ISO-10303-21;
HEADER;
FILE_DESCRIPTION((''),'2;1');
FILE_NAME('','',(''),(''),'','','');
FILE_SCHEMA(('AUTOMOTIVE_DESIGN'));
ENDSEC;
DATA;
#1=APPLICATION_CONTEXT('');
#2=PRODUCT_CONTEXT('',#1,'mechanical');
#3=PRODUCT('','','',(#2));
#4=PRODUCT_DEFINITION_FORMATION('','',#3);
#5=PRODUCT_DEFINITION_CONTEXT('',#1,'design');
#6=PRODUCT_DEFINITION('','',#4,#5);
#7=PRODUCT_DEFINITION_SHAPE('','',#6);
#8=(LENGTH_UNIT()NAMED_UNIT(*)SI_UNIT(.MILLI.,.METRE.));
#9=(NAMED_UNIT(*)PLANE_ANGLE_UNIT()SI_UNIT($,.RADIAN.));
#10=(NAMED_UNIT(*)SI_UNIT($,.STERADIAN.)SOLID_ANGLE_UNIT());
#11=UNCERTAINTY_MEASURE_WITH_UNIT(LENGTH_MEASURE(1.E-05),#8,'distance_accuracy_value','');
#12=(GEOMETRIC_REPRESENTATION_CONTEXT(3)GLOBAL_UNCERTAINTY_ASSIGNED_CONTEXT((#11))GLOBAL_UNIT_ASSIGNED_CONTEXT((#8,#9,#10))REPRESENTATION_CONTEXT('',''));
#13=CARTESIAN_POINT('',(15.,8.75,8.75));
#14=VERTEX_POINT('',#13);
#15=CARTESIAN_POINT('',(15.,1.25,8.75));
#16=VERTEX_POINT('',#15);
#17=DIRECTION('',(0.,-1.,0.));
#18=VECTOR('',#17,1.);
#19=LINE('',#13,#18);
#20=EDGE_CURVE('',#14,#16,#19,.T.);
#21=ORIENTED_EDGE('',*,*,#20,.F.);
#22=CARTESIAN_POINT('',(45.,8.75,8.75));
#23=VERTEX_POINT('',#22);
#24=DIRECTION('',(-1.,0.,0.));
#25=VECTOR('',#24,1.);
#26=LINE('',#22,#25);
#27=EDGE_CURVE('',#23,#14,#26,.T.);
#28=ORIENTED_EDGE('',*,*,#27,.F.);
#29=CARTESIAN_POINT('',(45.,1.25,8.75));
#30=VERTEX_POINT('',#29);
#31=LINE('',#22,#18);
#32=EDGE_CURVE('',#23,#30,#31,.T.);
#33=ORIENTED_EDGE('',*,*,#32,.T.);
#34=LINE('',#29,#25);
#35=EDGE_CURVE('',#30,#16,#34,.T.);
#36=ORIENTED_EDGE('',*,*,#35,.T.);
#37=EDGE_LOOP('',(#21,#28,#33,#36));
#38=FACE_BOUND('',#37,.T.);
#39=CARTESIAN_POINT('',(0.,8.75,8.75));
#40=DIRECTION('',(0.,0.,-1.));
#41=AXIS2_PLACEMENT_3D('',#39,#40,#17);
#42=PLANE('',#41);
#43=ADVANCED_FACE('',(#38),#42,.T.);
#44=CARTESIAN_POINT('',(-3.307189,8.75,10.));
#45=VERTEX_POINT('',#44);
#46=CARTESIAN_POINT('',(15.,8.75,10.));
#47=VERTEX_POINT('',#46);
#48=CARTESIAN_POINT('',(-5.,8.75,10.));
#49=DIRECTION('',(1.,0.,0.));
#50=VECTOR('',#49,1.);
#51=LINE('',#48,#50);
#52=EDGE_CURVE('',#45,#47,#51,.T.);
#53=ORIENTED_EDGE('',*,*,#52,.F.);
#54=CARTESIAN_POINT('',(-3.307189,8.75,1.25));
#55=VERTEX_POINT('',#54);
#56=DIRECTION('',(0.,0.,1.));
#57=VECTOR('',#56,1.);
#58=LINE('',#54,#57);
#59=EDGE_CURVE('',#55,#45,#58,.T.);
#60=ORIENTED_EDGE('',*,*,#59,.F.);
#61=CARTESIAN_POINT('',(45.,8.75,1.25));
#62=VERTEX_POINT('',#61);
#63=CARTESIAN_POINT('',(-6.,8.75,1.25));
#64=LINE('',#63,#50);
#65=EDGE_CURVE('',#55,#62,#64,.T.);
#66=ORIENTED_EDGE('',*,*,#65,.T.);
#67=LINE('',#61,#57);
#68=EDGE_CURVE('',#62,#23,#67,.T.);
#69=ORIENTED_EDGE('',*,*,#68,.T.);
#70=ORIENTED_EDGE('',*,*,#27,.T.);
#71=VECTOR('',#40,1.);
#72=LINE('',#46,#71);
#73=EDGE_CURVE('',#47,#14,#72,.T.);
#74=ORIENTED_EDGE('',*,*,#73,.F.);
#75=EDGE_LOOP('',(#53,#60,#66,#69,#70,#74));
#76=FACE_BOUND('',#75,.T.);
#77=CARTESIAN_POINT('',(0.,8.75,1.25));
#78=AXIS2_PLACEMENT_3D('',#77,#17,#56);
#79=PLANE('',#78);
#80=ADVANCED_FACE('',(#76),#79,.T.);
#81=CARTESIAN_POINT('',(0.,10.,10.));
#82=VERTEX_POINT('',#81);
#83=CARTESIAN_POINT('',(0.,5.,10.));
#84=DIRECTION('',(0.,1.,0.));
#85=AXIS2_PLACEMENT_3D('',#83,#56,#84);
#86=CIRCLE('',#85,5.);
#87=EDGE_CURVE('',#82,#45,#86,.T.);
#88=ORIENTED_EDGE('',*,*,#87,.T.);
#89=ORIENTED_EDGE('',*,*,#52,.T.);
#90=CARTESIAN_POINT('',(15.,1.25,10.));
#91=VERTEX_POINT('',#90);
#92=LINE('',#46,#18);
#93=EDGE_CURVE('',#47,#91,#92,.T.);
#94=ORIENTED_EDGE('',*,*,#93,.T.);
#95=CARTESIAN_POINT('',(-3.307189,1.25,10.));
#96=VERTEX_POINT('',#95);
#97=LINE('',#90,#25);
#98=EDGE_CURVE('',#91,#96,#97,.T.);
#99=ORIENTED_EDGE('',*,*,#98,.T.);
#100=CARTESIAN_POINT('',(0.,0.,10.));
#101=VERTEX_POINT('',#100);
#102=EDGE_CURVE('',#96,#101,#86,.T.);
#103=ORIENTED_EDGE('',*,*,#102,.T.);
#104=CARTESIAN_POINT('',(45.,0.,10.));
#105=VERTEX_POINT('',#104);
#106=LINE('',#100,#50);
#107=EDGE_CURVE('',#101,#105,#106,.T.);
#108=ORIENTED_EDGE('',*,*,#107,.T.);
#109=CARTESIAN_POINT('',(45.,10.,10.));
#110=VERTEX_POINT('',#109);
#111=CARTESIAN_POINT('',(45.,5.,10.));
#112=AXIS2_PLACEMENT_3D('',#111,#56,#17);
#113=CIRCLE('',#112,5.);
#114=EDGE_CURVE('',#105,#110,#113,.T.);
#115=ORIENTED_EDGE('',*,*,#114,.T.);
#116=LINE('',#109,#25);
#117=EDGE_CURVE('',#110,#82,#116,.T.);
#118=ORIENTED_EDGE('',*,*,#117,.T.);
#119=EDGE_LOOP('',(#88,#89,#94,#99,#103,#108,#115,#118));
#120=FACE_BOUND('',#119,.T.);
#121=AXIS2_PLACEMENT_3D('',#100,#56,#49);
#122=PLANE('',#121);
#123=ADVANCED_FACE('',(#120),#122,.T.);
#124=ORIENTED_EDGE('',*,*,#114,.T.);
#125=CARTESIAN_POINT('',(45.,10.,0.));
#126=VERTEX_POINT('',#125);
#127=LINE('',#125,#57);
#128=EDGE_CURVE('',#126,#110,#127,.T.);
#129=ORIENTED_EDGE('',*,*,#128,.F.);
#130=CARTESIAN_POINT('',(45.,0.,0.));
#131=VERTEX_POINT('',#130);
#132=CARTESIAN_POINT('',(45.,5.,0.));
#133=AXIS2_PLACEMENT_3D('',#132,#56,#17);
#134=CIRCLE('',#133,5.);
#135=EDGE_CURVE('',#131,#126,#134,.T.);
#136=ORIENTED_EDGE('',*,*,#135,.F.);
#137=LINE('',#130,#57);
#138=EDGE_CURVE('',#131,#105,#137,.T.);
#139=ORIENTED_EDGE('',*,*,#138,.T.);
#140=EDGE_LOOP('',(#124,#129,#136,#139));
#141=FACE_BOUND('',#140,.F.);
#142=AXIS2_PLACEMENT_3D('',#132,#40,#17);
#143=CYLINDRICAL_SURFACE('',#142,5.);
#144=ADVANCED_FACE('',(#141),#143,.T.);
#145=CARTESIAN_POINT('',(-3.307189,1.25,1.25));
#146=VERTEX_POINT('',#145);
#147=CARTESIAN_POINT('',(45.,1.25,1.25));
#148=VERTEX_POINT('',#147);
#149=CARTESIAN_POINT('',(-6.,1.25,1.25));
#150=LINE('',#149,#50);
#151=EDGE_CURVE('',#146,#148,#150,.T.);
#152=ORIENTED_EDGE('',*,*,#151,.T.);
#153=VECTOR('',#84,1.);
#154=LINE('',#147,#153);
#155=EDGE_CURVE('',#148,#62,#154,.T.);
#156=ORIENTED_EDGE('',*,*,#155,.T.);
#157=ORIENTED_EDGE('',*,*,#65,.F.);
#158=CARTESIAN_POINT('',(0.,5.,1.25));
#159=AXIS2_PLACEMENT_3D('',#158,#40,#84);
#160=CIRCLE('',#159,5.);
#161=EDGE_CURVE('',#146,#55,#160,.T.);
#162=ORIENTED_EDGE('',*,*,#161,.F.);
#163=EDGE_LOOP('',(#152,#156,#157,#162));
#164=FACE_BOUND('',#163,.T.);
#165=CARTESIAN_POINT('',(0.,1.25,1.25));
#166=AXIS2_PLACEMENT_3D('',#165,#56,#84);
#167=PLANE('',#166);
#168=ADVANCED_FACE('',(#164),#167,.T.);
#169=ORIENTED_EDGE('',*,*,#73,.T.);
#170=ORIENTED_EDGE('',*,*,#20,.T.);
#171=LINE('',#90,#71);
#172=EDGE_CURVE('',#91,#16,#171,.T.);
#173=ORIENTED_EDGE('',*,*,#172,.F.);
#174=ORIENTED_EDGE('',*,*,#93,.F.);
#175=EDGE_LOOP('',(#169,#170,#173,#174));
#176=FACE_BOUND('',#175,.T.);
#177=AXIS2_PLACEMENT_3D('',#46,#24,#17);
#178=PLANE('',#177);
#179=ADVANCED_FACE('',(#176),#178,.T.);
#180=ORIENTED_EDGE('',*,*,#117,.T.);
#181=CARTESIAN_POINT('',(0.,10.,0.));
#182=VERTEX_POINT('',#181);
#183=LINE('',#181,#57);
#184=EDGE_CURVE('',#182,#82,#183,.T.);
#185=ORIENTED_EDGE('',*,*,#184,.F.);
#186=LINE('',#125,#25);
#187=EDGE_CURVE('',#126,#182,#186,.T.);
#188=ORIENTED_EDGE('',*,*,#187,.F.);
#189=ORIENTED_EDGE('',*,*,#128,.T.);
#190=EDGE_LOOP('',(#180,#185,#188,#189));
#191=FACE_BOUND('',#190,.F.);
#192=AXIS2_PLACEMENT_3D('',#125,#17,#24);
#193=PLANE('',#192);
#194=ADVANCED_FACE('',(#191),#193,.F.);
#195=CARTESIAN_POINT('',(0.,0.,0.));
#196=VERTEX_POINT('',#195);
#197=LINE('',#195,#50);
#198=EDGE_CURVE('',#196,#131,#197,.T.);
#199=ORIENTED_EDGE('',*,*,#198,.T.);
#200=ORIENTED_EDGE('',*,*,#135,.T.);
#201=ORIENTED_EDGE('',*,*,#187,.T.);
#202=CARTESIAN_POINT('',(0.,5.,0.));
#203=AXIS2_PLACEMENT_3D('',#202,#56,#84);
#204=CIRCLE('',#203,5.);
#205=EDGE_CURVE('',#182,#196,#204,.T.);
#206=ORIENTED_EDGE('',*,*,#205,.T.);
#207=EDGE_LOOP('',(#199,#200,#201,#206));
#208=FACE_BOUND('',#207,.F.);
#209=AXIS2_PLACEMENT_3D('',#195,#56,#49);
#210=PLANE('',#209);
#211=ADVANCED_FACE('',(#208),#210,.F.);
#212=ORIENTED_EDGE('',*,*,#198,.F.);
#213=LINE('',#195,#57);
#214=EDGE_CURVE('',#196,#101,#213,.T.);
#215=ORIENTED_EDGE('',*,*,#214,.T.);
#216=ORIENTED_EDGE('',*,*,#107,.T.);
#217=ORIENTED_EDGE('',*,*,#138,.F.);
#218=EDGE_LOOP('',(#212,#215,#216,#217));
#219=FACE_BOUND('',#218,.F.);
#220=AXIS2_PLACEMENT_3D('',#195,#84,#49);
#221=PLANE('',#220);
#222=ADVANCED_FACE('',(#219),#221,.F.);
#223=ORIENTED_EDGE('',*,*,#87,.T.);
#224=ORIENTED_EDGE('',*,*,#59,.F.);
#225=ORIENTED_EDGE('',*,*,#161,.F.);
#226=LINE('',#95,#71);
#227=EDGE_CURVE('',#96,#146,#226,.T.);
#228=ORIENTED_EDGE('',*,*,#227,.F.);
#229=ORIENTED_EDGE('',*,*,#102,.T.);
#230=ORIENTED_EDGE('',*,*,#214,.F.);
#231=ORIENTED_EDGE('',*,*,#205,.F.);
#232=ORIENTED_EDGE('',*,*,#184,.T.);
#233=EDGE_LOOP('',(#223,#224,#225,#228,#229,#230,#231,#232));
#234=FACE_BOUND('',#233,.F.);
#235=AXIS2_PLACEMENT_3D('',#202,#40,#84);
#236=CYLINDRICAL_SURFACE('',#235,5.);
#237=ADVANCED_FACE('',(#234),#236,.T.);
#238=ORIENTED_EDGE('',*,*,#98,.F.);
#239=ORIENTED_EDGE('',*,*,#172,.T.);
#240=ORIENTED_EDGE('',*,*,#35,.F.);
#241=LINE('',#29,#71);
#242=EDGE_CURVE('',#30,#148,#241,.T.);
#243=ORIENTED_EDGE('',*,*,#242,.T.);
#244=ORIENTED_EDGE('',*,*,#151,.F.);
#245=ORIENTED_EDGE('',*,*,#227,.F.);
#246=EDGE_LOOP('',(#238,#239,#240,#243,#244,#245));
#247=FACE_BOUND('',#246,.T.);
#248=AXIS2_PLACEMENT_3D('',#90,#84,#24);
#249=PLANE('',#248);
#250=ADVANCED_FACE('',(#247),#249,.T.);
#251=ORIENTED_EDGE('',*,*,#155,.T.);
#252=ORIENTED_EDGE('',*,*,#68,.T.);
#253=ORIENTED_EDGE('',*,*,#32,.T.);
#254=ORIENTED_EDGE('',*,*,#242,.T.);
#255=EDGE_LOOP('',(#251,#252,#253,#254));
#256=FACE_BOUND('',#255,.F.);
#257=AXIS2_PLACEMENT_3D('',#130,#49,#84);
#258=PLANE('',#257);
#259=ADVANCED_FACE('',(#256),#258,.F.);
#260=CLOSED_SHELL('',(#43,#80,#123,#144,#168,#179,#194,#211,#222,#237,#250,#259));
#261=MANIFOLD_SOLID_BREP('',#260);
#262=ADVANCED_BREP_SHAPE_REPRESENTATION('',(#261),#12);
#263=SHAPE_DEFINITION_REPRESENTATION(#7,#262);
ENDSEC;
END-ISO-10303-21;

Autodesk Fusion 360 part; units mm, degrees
sketch "Sketch1" plane through (0, 0, 0) normal (0, 0, 1) x (1, 0, 0)
  line L0 (0, 0) -> (45, 0)
  line L1 (45, 10) -> (0, 10)
  arc A0 (0, 10) -> (0, 0) centre (0, 5) ccw
  arc A1 (45, 0) -> (45, 10) centre (45, 5) ccw
  dimension "d1" = 10
  dimension "d2" = 45
extrude "Extrude1" add sketch "Sketch1" along normal blind 10
sketch "Sketch2" plane through (0, 0, 0) normal (1, 0, 0) x (0, 1, 0)
  line L0 (1.25, 1.25) -> (8.75, 1.25)
  line L1 (8.75, 1.25) -> (8.75, 8.75)
  line L2 (8.75, 8.75) -> (1.25, 8.75)
  line L3 (1.25, 8.75) -> (1.25, 1.25)
  line L4 (10, 1.25) -> (8.75, 1.25) construction
  line L5 (0, 1.25) -> (1.25, 1.25) construction
  line L6 (0, 0) -> (0, 10)
  line L7 (10, 0) -> (10, 10)
  line L8 (8.75, 8.75) -> (8.75, 10) construction
  line L9 (8.75, 1.25) -> (8.75, 0) construction
  line L10 (10, 0) -> (0, 0)
  line L11 (10, 10) -> (0, 10)
  point P0 (10, 0)
  dimension "d5" = 7.5
  dimension "d6" = 7.5
extrude "Extrude2" cut sketch "Sketch2" along normal blind 45 and the other way through all contours L0 L1 L2 L3
sketch "Sketch3" plane through (0, 0, 10) normal (0, 0, 1) x (-1, 0, 0)
  arc A0 (-45, 0) -> (-45, -10) centre (-45, -5) ccw
  line L0 (-45, -10) -> (0, -10)
  arc A1 (0, -10) -> (0, 0) centre (0, -5) ccw
  line L1 (0, 0) -> (-45, 0)
  line L2 (5, -8.75) -> (-15, -8.75)
  line L3 (-15, -8.75) -> (-15, -1.25)
  line L4 (-15, -1.25) -> (5, -1.25)
  line L5 (5, -1.25) -> (5, -8.75)
  line L6 (5, -8.75) -> (5, -10) construction
  line L7 (5, -1.25) -> (5, 0) construction
  dimension "d11" = 7.5
  dimension "d12" = 30
extrude "Extrude3" cut sketch "Sketch3" against normal up to surface (1.25 mm away) contours A1 L2 L3 L4
